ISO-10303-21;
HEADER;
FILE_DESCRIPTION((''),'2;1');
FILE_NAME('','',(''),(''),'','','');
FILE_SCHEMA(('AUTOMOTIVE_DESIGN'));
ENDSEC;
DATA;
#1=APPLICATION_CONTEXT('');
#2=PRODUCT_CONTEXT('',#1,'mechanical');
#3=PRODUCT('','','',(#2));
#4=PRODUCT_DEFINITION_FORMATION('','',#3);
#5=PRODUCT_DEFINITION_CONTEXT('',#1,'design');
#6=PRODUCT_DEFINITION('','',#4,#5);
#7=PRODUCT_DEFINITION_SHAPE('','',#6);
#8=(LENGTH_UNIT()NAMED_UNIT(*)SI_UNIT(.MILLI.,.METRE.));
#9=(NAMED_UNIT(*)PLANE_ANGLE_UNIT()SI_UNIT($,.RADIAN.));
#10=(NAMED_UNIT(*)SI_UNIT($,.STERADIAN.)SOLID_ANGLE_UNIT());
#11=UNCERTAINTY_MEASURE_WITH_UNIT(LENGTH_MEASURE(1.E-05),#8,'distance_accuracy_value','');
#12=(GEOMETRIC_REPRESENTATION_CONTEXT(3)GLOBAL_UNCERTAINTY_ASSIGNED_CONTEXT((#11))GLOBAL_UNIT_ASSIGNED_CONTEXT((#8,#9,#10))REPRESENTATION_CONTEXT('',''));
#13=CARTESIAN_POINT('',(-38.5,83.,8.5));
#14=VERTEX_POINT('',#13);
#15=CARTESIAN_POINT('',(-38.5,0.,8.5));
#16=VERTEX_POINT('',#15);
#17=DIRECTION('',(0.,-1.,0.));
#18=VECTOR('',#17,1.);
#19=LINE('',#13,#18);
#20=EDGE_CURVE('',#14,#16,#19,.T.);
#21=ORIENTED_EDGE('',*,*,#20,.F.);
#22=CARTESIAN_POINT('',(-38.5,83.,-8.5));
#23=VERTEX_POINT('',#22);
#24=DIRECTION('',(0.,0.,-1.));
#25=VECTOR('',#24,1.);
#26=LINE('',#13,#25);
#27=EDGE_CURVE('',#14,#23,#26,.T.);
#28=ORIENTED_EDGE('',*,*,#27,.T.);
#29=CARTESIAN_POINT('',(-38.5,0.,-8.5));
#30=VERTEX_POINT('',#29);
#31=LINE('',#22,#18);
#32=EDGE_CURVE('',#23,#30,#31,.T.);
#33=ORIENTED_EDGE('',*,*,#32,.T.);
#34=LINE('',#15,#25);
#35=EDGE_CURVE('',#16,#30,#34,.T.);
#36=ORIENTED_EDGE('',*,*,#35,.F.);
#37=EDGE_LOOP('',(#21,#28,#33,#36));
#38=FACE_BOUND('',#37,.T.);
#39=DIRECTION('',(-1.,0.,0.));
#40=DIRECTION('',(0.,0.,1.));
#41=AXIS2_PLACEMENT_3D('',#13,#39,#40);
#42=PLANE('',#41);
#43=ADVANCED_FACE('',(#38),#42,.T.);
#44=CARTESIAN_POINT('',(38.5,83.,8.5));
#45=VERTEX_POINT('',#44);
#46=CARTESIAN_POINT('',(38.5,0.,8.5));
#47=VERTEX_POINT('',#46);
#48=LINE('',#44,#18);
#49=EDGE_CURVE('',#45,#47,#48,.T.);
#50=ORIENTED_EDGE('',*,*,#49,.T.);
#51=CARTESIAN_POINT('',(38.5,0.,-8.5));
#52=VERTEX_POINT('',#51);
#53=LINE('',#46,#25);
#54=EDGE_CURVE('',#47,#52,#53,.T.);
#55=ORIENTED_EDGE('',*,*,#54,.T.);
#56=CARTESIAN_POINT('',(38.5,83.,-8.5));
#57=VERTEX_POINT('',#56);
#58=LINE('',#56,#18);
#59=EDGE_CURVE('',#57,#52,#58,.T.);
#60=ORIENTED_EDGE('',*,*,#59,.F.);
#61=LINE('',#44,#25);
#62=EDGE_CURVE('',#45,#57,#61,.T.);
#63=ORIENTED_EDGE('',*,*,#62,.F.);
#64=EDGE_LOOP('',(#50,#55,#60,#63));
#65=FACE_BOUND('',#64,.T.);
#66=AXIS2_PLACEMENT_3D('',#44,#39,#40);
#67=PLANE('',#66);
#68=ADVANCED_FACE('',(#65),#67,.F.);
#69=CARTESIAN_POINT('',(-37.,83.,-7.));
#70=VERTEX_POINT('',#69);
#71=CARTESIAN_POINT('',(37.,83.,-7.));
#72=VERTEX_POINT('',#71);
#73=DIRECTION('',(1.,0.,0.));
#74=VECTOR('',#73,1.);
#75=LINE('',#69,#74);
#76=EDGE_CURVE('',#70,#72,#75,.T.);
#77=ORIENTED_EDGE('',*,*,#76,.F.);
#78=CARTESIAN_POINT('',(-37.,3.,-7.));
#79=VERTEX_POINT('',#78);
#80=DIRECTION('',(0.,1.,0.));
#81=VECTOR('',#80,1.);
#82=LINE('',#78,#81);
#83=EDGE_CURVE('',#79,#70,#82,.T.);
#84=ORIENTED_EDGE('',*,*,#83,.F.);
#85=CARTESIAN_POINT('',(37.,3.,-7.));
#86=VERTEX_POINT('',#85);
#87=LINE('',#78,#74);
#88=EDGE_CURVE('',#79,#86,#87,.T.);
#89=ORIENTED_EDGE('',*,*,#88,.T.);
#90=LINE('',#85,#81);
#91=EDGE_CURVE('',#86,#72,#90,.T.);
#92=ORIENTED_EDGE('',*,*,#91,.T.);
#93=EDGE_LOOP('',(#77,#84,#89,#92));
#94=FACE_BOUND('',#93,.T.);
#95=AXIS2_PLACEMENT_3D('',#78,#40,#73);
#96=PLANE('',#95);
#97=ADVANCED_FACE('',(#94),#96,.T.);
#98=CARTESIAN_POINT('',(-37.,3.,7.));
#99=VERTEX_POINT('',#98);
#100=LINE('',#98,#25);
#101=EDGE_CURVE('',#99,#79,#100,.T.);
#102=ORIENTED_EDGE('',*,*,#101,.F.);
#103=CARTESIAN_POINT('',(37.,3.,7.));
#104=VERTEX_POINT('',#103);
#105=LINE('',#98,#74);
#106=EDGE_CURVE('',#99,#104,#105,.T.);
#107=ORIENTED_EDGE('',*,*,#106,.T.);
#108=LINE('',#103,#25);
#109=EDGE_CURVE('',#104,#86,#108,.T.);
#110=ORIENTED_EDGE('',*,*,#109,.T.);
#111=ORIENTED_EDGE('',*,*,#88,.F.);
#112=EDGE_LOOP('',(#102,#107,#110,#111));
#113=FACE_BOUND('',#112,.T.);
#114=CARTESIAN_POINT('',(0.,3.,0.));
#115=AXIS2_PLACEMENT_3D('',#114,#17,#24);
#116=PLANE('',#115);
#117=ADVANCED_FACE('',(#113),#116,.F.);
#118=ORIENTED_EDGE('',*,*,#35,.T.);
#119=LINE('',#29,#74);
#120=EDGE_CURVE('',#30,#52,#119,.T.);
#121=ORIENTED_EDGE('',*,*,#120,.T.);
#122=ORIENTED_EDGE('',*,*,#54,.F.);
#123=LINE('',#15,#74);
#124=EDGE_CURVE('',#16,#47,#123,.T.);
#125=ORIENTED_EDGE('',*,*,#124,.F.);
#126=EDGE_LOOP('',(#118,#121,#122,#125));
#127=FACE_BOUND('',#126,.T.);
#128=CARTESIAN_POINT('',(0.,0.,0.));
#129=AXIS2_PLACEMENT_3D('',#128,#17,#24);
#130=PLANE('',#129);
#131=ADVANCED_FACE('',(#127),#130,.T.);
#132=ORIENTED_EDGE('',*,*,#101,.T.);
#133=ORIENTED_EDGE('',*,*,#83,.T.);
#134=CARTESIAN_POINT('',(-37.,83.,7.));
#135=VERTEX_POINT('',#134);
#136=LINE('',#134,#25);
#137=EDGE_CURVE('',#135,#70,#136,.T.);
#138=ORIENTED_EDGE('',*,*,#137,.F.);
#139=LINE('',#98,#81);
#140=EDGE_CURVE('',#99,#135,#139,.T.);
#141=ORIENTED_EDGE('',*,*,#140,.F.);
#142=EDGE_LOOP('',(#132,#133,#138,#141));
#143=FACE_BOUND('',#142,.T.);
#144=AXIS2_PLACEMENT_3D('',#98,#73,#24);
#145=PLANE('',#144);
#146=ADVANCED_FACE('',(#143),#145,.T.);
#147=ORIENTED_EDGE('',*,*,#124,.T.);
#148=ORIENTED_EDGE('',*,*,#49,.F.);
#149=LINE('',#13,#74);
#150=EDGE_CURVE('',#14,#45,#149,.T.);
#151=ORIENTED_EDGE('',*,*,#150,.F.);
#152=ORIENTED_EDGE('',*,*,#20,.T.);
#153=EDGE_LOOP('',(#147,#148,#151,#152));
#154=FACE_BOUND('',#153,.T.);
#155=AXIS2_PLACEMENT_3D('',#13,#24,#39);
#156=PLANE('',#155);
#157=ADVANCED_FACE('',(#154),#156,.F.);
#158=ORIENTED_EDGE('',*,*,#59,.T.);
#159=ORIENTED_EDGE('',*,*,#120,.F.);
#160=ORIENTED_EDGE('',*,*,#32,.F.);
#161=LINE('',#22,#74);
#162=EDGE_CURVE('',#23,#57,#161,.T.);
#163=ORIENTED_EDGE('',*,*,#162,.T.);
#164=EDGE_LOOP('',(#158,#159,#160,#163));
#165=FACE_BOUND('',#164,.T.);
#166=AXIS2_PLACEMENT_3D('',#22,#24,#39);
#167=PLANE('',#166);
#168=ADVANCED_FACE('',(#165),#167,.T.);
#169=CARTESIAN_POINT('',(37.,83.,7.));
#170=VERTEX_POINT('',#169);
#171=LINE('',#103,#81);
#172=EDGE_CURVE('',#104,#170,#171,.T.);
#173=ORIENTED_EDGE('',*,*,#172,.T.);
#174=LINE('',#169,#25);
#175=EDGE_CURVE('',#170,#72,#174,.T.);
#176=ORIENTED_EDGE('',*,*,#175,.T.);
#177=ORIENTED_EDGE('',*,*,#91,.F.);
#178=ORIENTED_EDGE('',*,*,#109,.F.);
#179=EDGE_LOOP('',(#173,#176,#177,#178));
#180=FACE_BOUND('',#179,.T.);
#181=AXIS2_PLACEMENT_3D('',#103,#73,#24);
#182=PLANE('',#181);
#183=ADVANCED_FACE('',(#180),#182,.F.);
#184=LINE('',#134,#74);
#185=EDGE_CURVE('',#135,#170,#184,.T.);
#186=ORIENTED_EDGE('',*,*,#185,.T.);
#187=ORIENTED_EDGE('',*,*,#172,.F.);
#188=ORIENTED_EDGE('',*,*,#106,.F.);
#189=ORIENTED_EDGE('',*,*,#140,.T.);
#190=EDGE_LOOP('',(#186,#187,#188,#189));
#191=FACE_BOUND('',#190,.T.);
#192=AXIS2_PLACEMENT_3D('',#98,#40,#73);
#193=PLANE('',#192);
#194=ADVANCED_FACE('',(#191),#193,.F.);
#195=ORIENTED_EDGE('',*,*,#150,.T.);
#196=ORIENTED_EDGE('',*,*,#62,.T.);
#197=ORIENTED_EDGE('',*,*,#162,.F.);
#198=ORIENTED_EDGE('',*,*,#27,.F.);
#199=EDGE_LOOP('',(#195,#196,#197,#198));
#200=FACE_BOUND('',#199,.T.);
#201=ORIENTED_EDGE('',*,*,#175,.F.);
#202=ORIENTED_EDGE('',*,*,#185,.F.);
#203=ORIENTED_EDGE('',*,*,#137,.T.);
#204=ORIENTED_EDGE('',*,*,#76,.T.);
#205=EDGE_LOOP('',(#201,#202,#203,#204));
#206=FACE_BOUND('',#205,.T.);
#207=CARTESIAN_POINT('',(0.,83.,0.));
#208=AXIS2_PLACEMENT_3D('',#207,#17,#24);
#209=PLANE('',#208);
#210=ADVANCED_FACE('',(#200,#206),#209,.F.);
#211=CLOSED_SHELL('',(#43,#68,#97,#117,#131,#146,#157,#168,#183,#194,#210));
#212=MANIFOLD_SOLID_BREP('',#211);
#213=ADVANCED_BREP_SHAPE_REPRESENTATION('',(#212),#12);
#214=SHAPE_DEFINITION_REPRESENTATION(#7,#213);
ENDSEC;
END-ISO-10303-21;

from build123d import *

# Parameters (mm, degrees)
ESQUISSE1_W             = 77
ESQUISSE1_H             = 17
BOSS_EXTRU_1_DEPTH      = 83
ESQUISSE2_W             = 74
ESQUISSE2_H             = 14
ENL_V_MAT_EXTRU_1_DEPTH = 80


with BuildPart() as part:
    # Esquisse1 → Boss.-Extru.1 (new body)
    with BuildSketch(Plane(origin=(0, 0, 0), x_dir=(1, 0, 0), z_dir=(0, 1, 0))):
        Rectangle(ESQUISSE1_W, ESQUISSE1_H)
    extrude(amount=BOSS_EXTRU_1_DEPTH)

    # Esquisse2 → Enlèv. mat.-Extru.1 (cut)
    with BuildSketch(Plane(origin=(0, 83, 0), x_dir=(1, 0, 0), z_dir=(0, 1, 0))):
        Rectangle(ESQUISSE2_W, ESQUISSE2_H)
    extrude(amount=-ENL_V_MAT_EXTRU_1_DEPTH, mode=Mode.SUBTRACT)


solid = part.part
